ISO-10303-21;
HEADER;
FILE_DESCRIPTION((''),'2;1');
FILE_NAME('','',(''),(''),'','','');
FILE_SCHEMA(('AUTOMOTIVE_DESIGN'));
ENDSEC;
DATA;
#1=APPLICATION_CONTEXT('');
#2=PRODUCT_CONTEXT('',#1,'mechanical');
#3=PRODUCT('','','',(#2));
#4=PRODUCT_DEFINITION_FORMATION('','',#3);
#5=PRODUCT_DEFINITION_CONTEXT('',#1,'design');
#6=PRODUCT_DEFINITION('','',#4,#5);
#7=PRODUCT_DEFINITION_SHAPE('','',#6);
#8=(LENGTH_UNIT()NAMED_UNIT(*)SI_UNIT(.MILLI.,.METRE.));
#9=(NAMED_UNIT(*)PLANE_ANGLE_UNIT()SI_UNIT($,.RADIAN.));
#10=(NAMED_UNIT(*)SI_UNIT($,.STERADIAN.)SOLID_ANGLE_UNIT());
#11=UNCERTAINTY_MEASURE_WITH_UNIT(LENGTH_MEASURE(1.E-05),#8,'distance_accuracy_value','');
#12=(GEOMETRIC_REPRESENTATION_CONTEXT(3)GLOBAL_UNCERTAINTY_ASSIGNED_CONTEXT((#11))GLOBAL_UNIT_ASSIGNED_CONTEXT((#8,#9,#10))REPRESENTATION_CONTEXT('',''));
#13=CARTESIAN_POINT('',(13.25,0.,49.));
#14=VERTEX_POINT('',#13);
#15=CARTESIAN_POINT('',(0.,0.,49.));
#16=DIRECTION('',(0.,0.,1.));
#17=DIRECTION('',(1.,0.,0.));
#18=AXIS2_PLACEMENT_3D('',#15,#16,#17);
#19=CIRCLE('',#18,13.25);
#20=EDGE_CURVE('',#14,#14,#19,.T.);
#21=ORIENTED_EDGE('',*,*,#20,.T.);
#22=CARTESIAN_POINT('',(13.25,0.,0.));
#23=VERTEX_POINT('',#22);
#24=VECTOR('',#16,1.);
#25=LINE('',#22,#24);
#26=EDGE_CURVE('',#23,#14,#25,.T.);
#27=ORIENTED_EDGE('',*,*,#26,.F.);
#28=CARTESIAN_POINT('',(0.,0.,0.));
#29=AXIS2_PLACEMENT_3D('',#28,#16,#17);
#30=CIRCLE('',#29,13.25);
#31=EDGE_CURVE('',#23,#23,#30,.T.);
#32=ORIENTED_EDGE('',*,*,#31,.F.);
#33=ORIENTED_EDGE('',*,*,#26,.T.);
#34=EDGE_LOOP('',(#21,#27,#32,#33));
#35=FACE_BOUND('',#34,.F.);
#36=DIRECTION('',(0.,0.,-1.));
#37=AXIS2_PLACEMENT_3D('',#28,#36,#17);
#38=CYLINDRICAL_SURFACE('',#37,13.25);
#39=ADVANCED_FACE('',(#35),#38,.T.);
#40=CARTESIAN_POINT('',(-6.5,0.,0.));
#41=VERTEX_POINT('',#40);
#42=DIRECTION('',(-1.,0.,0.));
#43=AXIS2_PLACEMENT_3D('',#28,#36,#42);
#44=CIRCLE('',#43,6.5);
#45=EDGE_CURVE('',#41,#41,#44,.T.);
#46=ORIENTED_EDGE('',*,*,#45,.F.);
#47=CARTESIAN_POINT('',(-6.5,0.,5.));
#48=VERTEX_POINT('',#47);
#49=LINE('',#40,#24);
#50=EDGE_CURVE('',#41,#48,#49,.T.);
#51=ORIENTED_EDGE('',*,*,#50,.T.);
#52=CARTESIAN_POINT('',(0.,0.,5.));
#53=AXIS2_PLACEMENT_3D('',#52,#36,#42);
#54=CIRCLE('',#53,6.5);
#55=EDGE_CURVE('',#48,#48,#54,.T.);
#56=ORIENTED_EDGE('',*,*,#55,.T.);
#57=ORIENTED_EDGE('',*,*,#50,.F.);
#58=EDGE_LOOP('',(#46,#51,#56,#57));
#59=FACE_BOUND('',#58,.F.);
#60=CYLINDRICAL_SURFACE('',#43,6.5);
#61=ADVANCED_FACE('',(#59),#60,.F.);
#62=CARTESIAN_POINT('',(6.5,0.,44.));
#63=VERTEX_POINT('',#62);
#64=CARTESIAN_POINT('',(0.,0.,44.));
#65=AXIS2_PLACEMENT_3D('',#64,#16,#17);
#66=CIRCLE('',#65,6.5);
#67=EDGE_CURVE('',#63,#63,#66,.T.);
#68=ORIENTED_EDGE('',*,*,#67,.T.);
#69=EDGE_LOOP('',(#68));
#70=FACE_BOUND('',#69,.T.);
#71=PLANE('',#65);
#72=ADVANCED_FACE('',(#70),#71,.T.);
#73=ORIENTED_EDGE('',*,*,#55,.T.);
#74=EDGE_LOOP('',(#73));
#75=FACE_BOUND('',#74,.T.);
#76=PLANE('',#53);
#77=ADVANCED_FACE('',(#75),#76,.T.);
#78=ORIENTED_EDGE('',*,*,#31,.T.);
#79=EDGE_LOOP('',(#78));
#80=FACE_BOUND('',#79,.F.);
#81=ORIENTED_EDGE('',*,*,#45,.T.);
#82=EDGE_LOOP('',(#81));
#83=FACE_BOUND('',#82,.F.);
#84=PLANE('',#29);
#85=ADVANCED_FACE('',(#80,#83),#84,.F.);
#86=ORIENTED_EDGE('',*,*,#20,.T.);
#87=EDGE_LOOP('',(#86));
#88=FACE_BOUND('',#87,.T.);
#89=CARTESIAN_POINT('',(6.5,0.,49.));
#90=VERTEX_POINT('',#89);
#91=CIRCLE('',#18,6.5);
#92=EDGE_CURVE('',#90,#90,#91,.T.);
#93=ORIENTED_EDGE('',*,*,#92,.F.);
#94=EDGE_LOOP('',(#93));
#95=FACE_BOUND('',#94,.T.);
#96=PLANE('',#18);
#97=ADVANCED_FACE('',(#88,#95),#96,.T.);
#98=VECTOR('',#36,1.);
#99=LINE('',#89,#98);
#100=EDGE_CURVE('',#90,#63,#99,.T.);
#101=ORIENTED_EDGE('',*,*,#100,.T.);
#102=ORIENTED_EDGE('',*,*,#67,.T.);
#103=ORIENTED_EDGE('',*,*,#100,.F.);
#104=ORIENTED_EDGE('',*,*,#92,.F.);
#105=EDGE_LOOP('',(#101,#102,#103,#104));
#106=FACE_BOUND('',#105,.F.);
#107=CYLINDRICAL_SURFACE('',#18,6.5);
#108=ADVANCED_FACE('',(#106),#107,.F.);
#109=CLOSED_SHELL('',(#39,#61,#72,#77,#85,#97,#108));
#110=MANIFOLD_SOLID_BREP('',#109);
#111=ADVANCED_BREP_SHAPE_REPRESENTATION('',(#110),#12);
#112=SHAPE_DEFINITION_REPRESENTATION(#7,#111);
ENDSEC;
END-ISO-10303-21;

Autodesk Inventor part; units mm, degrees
ref_plane "YZ Plane" through (0, 0, 0) normal (1, 0, 0) x (0, 1, 0)
ref_plane "XZ Plane" through (0, 0, 0) normal (0, 1, 0) x (-1, 0, 0)
ref_plane "XY Plane" through (0, 0, 0) normal (0, 0, 1) x (1, 0, 0)
sketch "Boceto1" plane through (0, 0, 0) normal (0, 0, 1) x (1, 0, 0)
  circle A0 centre (0, 0) radius 13.25
  dimension "d0" = 26.5
extrude "Extrusión1" add sketch "Boceto1" along normal blind 49
sketch "Boceto2" plane through (0, 0, 49) normal (0, 0, 1) x (1, 0, 0)
  circle A0 centre (0, 0) radius 6.5
  dimension "d3" = 13
extrude "Extrusión2" cut sketch "Boceto2" against normal blind 5
sketch "Boceto3" plane through (0, 0, 0) normal (0, 0, -1) x (-1, 0, 0)
  circle A0 centre (0, 0) radius 6.5
  dimension "d6" = 13
extrude "Extrusión3" cut sketch "Boceto3" against normal blind 5
sketch "Boceto4" plane through (0, 0, 5) normal (0, 0, -1) x (-1, 0, 0)
  point P0 (0, 0)
  point P1 (0, 0)
sketch "Boceto5" plane through (0, 0, 44) normal (0, 0, 1) x (1, 0, 0)
  circle A0 centre (0, 0) radius 6.5 projected
properties part number "CuerpoPrincipal_filtro"
